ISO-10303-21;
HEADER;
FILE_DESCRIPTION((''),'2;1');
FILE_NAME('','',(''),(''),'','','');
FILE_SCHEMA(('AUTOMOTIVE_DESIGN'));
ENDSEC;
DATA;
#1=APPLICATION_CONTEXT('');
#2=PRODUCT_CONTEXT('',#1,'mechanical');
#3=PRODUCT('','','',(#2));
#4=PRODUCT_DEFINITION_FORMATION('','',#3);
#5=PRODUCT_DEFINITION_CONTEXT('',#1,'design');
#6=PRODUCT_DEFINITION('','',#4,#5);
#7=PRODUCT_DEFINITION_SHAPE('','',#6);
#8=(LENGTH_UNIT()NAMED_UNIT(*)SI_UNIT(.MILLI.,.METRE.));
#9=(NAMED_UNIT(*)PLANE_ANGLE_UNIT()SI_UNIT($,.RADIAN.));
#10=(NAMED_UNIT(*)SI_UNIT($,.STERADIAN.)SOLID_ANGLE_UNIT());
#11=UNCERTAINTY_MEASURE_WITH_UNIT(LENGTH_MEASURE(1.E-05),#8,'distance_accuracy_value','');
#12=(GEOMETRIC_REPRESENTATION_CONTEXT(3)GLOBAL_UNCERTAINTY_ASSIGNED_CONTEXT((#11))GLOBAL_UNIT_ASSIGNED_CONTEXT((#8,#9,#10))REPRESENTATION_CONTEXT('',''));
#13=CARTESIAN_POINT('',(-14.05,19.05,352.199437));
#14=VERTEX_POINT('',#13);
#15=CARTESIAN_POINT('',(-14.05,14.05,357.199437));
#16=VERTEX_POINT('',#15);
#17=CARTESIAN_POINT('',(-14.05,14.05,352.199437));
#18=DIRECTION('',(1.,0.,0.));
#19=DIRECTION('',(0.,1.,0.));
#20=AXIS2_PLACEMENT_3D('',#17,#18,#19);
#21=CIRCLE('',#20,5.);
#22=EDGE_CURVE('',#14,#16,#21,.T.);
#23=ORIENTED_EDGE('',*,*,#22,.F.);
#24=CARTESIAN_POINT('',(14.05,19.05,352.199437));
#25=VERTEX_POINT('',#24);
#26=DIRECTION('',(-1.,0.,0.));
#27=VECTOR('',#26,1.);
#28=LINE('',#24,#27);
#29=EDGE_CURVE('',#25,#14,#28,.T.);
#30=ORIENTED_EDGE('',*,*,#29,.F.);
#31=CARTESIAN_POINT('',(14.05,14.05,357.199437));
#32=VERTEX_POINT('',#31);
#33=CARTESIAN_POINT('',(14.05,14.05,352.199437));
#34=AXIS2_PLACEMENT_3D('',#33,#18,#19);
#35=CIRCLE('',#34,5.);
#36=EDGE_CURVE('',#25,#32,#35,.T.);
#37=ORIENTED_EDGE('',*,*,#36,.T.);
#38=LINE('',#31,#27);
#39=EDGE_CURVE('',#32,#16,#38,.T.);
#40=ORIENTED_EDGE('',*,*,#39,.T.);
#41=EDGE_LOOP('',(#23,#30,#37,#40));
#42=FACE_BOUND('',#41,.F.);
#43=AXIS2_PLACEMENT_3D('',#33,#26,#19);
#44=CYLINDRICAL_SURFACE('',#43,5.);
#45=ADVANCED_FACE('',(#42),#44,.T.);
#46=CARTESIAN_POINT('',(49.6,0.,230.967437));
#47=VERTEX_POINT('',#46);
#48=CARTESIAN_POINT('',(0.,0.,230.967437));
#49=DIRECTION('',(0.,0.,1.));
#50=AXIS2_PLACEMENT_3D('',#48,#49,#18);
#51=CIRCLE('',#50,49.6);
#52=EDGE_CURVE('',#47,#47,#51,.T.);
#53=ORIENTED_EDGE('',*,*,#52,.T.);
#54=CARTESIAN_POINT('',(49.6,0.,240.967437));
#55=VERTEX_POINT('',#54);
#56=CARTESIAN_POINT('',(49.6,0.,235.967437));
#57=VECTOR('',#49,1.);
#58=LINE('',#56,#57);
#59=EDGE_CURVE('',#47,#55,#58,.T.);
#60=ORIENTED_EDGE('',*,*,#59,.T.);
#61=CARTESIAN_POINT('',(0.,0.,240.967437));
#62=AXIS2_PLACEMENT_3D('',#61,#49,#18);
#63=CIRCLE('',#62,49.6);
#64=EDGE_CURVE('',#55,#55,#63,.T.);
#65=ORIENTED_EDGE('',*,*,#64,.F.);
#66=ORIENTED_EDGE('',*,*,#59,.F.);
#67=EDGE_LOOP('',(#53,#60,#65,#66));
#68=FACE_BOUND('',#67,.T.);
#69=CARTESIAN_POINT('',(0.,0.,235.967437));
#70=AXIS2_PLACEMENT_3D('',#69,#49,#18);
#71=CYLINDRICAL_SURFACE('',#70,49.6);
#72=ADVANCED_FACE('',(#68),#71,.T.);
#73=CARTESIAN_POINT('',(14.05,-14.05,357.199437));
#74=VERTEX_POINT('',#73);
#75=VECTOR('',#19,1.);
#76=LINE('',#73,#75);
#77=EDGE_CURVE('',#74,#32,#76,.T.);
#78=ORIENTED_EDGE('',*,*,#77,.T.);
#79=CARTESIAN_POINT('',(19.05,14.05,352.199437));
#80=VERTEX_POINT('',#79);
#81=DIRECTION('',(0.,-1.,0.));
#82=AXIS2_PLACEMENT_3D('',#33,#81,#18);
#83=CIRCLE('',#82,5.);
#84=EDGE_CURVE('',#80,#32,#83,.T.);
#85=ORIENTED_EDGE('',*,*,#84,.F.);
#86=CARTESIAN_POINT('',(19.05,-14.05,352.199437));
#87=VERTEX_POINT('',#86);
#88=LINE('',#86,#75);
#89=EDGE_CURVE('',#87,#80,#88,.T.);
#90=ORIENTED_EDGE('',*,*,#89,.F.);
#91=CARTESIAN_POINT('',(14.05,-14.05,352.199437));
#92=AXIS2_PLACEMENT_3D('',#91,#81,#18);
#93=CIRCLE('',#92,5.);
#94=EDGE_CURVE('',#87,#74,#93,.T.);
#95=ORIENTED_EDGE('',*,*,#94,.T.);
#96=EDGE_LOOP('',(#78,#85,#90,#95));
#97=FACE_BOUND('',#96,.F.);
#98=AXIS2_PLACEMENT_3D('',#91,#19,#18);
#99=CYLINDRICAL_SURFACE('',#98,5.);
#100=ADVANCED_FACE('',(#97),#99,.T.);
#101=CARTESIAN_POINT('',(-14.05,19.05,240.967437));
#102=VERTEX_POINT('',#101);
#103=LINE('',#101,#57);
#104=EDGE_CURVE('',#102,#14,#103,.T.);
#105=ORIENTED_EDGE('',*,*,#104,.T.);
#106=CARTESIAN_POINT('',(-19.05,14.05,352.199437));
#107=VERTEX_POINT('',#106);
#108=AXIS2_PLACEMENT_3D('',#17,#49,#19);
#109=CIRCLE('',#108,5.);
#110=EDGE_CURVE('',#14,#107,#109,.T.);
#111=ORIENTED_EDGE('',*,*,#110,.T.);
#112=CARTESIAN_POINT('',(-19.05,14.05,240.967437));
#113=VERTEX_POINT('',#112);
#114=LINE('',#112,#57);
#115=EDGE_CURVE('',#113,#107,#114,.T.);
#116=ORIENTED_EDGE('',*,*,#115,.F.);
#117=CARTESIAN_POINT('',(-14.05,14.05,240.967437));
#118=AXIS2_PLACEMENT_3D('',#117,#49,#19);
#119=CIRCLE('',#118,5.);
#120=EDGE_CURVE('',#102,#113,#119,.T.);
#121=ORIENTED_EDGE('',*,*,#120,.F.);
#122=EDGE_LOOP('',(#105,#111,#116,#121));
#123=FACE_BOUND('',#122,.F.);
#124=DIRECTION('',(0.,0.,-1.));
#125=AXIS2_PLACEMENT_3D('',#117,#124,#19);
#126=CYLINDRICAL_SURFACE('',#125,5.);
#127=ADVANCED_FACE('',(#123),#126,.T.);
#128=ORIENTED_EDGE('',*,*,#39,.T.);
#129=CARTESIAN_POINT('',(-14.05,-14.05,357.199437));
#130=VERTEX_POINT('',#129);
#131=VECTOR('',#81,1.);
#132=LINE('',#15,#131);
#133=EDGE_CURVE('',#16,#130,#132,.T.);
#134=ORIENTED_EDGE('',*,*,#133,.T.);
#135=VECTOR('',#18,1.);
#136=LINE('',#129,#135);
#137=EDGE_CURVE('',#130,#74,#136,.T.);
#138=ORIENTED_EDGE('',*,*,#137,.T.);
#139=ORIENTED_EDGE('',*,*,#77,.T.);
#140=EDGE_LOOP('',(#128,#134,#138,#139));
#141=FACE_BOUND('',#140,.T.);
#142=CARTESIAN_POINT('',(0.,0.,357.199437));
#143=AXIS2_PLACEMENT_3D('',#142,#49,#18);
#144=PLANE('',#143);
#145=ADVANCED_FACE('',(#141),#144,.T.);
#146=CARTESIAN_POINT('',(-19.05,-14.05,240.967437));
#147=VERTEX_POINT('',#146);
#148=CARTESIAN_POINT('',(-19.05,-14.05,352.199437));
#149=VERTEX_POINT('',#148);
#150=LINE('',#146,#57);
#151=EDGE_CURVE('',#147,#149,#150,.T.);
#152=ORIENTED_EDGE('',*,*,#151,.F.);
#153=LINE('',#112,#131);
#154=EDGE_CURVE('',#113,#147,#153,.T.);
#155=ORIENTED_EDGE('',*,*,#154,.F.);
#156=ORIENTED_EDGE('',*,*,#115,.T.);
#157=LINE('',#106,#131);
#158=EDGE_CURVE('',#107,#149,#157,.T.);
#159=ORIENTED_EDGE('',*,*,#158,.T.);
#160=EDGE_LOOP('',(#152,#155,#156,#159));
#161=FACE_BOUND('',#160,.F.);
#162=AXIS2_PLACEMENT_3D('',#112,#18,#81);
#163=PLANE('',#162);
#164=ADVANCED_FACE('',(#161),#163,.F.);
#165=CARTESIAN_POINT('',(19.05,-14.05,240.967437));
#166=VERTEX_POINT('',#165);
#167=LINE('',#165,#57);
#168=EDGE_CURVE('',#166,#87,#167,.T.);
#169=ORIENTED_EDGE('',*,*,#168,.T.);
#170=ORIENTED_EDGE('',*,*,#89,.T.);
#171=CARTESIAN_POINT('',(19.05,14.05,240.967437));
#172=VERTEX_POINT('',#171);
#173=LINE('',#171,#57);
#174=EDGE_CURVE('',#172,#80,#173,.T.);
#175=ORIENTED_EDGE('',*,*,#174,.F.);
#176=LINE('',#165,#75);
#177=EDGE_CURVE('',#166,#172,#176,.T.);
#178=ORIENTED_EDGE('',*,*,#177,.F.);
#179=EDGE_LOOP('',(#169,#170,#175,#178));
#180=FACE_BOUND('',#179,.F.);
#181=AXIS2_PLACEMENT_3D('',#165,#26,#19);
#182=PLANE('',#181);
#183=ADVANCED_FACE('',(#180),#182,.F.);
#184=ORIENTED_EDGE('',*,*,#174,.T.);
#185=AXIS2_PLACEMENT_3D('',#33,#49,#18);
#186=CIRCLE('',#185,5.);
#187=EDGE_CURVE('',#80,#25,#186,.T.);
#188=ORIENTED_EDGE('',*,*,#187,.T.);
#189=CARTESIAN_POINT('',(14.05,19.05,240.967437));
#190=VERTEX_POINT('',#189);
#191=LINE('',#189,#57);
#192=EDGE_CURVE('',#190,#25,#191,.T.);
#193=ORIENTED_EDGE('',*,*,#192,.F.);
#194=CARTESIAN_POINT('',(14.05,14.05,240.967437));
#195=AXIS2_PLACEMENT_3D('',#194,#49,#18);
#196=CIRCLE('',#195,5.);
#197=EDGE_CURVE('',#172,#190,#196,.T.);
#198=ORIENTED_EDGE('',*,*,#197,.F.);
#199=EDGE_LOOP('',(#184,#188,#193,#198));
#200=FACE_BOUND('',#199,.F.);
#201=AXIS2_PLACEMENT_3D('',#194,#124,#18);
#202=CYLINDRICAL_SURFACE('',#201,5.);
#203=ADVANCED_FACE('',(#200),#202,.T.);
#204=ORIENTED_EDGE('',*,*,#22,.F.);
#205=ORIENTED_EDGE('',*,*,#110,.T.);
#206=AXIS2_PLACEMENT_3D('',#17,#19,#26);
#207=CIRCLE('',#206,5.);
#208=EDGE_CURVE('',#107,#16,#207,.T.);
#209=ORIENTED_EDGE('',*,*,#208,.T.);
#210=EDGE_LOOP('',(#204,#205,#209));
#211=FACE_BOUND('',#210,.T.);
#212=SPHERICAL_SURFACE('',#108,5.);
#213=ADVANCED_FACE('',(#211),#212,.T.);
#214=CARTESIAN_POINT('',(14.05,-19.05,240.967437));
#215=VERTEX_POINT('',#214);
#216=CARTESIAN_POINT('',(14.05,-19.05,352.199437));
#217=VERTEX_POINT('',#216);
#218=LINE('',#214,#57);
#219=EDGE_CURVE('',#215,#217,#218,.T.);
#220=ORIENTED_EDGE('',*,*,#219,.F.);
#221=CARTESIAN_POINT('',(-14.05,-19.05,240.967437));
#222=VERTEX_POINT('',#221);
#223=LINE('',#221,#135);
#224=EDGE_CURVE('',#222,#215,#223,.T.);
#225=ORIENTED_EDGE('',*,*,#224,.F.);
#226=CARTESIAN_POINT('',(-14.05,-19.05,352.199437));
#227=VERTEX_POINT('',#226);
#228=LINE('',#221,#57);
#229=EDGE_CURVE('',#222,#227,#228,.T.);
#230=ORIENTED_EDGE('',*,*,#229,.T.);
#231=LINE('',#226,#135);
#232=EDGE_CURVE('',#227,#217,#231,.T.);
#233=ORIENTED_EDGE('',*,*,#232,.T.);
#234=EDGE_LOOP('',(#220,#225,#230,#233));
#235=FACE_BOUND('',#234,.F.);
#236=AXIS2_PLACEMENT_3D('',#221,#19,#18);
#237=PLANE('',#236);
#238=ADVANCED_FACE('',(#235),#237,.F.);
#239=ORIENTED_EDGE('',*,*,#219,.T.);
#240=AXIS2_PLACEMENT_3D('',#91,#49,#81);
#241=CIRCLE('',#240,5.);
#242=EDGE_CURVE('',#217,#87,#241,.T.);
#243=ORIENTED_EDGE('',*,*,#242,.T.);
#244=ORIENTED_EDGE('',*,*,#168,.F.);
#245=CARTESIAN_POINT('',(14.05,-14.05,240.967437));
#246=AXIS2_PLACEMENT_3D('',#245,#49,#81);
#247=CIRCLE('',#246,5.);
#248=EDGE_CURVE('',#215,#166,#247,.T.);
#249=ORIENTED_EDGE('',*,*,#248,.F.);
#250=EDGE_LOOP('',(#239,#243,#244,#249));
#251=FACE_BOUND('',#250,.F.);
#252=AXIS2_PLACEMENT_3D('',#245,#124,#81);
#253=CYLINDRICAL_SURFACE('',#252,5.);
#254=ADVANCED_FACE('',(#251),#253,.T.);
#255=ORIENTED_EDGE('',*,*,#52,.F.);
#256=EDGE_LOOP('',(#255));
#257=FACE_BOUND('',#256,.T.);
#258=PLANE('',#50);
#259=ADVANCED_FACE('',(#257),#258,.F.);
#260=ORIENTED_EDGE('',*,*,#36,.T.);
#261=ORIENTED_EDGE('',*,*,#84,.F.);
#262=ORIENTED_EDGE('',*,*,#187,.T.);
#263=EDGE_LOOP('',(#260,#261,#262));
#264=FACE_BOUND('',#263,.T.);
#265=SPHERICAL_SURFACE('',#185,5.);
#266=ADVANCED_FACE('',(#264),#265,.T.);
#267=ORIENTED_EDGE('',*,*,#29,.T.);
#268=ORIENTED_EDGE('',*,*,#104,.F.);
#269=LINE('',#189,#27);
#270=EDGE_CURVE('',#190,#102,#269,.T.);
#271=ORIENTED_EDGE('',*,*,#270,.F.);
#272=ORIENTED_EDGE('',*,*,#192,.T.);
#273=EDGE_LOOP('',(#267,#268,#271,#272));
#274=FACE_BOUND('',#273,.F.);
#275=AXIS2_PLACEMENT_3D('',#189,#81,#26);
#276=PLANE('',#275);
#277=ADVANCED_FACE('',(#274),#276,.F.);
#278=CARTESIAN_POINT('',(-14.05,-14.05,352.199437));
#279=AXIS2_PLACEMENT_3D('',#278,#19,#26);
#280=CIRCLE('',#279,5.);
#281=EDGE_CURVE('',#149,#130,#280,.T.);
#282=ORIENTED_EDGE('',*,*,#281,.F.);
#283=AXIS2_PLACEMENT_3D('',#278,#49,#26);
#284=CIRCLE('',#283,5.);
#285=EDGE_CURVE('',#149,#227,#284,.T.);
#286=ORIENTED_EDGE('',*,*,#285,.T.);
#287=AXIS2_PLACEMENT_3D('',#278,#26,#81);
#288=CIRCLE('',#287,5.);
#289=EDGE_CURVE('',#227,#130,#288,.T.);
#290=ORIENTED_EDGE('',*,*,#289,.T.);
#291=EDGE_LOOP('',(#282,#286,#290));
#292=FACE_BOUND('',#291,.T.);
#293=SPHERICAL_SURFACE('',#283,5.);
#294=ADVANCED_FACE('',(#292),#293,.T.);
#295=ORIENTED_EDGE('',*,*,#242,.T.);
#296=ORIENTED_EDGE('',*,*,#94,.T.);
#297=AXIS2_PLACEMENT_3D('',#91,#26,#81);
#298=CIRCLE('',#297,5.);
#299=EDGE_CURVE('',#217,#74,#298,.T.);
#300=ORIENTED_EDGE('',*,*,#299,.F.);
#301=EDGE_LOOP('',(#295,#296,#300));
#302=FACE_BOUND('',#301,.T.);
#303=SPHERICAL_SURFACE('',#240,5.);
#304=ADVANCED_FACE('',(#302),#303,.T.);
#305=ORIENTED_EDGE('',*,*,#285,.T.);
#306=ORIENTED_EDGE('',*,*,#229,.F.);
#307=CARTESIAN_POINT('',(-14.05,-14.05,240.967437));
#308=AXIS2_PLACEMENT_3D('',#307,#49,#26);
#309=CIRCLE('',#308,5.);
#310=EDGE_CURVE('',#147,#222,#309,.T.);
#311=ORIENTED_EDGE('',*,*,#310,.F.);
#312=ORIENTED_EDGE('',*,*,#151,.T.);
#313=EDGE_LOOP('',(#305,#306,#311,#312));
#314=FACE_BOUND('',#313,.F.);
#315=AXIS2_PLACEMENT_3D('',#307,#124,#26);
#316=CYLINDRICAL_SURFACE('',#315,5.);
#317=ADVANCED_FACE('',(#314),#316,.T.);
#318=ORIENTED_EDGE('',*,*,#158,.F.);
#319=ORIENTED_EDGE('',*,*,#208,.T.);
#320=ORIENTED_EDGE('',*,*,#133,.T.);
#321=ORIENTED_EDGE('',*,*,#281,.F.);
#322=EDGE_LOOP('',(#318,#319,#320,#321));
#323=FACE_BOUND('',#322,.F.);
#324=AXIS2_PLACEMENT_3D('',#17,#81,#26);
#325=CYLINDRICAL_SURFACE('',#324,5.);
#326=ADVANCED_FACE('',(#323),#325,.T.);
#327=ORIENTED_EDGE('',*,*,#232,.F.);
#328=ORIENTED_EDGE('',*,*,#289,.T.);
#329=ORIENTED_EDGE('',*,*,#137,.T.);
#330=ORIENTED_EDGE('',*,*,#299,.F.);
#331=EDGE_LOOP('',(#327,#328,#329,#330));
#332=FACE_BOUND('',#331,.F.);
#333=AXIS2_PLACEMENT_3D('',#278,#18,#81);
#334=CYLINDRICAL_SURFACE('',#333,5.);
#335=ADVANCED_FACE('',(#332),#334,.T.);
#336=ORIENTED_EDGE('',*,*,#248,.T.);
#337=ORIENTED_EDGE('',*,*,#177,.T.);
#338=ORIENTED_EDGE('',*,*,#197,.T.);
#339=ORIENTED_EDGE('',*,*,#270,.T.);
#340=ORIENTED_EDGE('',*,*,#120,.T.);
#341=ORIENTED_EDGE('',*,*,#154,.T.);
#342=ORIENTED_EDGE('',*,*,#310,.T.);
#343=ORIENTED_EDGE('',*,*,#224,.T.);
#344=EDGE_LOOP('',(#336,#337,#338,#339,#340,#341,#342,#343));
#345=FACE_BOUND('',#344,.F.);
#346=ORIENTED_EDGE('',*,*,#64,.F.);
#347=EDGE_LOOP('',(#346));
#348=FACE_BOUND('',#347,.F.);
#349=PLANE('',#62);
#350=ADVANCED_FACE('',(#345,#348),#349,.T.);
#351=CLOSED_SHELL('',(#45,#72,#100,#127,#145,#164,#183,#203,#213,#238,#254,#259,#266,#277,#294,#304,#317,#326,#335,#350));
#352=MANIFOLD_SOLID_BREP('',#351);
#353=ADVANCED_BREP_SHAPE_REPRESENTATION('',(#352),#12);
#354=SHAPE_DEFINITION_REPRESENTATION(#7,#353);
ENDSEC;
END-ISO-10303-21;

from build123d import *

# Parameters (mm, degrees)
F0_W     = 49.6
F0_H     = 10
F3_DEPTH = 116.232
F4_R     = 5


with BuildPart() as f1:
    # F0 (on Front) → F1 (revolve)
    with BuildSketch(Plane.XZ):
        with Locations((24.8, 235.9674370289)):
            Rectangle(F0_W, F0_H)
    revolve(axis=Axis((0, 0, 235.9674370289), (0, 0, 1)))

    # F2 (on face) → F3 (join)
    with BuildSketch(Plane.XY.offset(240.9674370289)):
        with BuildLine():
            ThreePointArc((19.05, 14.05), (17.5855339059, 17.5855339059), (14.05, 19.05))
            Line((14.05, 19.05), (-14.05, 19.05))
            ThreePointArc((-14.05, 19.05), (-17.5855339059, 17.5855339059), (-19.05, 14.05))
            Line((-19.05, 14.05), (-19.05, -14.05))
            ThreePointArc((-19.05, -14.05), (-17.5855339059, -17.5855339059), (-14.05, -19.05))
            Line((-14.05, -19.05), (14.05, -19.05))
            ThreePointArc((14.05, -19.05), (17.5855339059, -17.5855339059), (19.05, -14.05))
            Line((19.05, -14.05), (19.05, 14.05))
        make_face()
    extrude(amount=F3_DEPTH)

    # F4
    f4_edges = [f1.edges().sort_by_distance(p)[0] for p in [
        (0, -19.05, 357.199437),
    ]]
    fillet(f4_edges, radius=F4_R)


solid = f1.part
